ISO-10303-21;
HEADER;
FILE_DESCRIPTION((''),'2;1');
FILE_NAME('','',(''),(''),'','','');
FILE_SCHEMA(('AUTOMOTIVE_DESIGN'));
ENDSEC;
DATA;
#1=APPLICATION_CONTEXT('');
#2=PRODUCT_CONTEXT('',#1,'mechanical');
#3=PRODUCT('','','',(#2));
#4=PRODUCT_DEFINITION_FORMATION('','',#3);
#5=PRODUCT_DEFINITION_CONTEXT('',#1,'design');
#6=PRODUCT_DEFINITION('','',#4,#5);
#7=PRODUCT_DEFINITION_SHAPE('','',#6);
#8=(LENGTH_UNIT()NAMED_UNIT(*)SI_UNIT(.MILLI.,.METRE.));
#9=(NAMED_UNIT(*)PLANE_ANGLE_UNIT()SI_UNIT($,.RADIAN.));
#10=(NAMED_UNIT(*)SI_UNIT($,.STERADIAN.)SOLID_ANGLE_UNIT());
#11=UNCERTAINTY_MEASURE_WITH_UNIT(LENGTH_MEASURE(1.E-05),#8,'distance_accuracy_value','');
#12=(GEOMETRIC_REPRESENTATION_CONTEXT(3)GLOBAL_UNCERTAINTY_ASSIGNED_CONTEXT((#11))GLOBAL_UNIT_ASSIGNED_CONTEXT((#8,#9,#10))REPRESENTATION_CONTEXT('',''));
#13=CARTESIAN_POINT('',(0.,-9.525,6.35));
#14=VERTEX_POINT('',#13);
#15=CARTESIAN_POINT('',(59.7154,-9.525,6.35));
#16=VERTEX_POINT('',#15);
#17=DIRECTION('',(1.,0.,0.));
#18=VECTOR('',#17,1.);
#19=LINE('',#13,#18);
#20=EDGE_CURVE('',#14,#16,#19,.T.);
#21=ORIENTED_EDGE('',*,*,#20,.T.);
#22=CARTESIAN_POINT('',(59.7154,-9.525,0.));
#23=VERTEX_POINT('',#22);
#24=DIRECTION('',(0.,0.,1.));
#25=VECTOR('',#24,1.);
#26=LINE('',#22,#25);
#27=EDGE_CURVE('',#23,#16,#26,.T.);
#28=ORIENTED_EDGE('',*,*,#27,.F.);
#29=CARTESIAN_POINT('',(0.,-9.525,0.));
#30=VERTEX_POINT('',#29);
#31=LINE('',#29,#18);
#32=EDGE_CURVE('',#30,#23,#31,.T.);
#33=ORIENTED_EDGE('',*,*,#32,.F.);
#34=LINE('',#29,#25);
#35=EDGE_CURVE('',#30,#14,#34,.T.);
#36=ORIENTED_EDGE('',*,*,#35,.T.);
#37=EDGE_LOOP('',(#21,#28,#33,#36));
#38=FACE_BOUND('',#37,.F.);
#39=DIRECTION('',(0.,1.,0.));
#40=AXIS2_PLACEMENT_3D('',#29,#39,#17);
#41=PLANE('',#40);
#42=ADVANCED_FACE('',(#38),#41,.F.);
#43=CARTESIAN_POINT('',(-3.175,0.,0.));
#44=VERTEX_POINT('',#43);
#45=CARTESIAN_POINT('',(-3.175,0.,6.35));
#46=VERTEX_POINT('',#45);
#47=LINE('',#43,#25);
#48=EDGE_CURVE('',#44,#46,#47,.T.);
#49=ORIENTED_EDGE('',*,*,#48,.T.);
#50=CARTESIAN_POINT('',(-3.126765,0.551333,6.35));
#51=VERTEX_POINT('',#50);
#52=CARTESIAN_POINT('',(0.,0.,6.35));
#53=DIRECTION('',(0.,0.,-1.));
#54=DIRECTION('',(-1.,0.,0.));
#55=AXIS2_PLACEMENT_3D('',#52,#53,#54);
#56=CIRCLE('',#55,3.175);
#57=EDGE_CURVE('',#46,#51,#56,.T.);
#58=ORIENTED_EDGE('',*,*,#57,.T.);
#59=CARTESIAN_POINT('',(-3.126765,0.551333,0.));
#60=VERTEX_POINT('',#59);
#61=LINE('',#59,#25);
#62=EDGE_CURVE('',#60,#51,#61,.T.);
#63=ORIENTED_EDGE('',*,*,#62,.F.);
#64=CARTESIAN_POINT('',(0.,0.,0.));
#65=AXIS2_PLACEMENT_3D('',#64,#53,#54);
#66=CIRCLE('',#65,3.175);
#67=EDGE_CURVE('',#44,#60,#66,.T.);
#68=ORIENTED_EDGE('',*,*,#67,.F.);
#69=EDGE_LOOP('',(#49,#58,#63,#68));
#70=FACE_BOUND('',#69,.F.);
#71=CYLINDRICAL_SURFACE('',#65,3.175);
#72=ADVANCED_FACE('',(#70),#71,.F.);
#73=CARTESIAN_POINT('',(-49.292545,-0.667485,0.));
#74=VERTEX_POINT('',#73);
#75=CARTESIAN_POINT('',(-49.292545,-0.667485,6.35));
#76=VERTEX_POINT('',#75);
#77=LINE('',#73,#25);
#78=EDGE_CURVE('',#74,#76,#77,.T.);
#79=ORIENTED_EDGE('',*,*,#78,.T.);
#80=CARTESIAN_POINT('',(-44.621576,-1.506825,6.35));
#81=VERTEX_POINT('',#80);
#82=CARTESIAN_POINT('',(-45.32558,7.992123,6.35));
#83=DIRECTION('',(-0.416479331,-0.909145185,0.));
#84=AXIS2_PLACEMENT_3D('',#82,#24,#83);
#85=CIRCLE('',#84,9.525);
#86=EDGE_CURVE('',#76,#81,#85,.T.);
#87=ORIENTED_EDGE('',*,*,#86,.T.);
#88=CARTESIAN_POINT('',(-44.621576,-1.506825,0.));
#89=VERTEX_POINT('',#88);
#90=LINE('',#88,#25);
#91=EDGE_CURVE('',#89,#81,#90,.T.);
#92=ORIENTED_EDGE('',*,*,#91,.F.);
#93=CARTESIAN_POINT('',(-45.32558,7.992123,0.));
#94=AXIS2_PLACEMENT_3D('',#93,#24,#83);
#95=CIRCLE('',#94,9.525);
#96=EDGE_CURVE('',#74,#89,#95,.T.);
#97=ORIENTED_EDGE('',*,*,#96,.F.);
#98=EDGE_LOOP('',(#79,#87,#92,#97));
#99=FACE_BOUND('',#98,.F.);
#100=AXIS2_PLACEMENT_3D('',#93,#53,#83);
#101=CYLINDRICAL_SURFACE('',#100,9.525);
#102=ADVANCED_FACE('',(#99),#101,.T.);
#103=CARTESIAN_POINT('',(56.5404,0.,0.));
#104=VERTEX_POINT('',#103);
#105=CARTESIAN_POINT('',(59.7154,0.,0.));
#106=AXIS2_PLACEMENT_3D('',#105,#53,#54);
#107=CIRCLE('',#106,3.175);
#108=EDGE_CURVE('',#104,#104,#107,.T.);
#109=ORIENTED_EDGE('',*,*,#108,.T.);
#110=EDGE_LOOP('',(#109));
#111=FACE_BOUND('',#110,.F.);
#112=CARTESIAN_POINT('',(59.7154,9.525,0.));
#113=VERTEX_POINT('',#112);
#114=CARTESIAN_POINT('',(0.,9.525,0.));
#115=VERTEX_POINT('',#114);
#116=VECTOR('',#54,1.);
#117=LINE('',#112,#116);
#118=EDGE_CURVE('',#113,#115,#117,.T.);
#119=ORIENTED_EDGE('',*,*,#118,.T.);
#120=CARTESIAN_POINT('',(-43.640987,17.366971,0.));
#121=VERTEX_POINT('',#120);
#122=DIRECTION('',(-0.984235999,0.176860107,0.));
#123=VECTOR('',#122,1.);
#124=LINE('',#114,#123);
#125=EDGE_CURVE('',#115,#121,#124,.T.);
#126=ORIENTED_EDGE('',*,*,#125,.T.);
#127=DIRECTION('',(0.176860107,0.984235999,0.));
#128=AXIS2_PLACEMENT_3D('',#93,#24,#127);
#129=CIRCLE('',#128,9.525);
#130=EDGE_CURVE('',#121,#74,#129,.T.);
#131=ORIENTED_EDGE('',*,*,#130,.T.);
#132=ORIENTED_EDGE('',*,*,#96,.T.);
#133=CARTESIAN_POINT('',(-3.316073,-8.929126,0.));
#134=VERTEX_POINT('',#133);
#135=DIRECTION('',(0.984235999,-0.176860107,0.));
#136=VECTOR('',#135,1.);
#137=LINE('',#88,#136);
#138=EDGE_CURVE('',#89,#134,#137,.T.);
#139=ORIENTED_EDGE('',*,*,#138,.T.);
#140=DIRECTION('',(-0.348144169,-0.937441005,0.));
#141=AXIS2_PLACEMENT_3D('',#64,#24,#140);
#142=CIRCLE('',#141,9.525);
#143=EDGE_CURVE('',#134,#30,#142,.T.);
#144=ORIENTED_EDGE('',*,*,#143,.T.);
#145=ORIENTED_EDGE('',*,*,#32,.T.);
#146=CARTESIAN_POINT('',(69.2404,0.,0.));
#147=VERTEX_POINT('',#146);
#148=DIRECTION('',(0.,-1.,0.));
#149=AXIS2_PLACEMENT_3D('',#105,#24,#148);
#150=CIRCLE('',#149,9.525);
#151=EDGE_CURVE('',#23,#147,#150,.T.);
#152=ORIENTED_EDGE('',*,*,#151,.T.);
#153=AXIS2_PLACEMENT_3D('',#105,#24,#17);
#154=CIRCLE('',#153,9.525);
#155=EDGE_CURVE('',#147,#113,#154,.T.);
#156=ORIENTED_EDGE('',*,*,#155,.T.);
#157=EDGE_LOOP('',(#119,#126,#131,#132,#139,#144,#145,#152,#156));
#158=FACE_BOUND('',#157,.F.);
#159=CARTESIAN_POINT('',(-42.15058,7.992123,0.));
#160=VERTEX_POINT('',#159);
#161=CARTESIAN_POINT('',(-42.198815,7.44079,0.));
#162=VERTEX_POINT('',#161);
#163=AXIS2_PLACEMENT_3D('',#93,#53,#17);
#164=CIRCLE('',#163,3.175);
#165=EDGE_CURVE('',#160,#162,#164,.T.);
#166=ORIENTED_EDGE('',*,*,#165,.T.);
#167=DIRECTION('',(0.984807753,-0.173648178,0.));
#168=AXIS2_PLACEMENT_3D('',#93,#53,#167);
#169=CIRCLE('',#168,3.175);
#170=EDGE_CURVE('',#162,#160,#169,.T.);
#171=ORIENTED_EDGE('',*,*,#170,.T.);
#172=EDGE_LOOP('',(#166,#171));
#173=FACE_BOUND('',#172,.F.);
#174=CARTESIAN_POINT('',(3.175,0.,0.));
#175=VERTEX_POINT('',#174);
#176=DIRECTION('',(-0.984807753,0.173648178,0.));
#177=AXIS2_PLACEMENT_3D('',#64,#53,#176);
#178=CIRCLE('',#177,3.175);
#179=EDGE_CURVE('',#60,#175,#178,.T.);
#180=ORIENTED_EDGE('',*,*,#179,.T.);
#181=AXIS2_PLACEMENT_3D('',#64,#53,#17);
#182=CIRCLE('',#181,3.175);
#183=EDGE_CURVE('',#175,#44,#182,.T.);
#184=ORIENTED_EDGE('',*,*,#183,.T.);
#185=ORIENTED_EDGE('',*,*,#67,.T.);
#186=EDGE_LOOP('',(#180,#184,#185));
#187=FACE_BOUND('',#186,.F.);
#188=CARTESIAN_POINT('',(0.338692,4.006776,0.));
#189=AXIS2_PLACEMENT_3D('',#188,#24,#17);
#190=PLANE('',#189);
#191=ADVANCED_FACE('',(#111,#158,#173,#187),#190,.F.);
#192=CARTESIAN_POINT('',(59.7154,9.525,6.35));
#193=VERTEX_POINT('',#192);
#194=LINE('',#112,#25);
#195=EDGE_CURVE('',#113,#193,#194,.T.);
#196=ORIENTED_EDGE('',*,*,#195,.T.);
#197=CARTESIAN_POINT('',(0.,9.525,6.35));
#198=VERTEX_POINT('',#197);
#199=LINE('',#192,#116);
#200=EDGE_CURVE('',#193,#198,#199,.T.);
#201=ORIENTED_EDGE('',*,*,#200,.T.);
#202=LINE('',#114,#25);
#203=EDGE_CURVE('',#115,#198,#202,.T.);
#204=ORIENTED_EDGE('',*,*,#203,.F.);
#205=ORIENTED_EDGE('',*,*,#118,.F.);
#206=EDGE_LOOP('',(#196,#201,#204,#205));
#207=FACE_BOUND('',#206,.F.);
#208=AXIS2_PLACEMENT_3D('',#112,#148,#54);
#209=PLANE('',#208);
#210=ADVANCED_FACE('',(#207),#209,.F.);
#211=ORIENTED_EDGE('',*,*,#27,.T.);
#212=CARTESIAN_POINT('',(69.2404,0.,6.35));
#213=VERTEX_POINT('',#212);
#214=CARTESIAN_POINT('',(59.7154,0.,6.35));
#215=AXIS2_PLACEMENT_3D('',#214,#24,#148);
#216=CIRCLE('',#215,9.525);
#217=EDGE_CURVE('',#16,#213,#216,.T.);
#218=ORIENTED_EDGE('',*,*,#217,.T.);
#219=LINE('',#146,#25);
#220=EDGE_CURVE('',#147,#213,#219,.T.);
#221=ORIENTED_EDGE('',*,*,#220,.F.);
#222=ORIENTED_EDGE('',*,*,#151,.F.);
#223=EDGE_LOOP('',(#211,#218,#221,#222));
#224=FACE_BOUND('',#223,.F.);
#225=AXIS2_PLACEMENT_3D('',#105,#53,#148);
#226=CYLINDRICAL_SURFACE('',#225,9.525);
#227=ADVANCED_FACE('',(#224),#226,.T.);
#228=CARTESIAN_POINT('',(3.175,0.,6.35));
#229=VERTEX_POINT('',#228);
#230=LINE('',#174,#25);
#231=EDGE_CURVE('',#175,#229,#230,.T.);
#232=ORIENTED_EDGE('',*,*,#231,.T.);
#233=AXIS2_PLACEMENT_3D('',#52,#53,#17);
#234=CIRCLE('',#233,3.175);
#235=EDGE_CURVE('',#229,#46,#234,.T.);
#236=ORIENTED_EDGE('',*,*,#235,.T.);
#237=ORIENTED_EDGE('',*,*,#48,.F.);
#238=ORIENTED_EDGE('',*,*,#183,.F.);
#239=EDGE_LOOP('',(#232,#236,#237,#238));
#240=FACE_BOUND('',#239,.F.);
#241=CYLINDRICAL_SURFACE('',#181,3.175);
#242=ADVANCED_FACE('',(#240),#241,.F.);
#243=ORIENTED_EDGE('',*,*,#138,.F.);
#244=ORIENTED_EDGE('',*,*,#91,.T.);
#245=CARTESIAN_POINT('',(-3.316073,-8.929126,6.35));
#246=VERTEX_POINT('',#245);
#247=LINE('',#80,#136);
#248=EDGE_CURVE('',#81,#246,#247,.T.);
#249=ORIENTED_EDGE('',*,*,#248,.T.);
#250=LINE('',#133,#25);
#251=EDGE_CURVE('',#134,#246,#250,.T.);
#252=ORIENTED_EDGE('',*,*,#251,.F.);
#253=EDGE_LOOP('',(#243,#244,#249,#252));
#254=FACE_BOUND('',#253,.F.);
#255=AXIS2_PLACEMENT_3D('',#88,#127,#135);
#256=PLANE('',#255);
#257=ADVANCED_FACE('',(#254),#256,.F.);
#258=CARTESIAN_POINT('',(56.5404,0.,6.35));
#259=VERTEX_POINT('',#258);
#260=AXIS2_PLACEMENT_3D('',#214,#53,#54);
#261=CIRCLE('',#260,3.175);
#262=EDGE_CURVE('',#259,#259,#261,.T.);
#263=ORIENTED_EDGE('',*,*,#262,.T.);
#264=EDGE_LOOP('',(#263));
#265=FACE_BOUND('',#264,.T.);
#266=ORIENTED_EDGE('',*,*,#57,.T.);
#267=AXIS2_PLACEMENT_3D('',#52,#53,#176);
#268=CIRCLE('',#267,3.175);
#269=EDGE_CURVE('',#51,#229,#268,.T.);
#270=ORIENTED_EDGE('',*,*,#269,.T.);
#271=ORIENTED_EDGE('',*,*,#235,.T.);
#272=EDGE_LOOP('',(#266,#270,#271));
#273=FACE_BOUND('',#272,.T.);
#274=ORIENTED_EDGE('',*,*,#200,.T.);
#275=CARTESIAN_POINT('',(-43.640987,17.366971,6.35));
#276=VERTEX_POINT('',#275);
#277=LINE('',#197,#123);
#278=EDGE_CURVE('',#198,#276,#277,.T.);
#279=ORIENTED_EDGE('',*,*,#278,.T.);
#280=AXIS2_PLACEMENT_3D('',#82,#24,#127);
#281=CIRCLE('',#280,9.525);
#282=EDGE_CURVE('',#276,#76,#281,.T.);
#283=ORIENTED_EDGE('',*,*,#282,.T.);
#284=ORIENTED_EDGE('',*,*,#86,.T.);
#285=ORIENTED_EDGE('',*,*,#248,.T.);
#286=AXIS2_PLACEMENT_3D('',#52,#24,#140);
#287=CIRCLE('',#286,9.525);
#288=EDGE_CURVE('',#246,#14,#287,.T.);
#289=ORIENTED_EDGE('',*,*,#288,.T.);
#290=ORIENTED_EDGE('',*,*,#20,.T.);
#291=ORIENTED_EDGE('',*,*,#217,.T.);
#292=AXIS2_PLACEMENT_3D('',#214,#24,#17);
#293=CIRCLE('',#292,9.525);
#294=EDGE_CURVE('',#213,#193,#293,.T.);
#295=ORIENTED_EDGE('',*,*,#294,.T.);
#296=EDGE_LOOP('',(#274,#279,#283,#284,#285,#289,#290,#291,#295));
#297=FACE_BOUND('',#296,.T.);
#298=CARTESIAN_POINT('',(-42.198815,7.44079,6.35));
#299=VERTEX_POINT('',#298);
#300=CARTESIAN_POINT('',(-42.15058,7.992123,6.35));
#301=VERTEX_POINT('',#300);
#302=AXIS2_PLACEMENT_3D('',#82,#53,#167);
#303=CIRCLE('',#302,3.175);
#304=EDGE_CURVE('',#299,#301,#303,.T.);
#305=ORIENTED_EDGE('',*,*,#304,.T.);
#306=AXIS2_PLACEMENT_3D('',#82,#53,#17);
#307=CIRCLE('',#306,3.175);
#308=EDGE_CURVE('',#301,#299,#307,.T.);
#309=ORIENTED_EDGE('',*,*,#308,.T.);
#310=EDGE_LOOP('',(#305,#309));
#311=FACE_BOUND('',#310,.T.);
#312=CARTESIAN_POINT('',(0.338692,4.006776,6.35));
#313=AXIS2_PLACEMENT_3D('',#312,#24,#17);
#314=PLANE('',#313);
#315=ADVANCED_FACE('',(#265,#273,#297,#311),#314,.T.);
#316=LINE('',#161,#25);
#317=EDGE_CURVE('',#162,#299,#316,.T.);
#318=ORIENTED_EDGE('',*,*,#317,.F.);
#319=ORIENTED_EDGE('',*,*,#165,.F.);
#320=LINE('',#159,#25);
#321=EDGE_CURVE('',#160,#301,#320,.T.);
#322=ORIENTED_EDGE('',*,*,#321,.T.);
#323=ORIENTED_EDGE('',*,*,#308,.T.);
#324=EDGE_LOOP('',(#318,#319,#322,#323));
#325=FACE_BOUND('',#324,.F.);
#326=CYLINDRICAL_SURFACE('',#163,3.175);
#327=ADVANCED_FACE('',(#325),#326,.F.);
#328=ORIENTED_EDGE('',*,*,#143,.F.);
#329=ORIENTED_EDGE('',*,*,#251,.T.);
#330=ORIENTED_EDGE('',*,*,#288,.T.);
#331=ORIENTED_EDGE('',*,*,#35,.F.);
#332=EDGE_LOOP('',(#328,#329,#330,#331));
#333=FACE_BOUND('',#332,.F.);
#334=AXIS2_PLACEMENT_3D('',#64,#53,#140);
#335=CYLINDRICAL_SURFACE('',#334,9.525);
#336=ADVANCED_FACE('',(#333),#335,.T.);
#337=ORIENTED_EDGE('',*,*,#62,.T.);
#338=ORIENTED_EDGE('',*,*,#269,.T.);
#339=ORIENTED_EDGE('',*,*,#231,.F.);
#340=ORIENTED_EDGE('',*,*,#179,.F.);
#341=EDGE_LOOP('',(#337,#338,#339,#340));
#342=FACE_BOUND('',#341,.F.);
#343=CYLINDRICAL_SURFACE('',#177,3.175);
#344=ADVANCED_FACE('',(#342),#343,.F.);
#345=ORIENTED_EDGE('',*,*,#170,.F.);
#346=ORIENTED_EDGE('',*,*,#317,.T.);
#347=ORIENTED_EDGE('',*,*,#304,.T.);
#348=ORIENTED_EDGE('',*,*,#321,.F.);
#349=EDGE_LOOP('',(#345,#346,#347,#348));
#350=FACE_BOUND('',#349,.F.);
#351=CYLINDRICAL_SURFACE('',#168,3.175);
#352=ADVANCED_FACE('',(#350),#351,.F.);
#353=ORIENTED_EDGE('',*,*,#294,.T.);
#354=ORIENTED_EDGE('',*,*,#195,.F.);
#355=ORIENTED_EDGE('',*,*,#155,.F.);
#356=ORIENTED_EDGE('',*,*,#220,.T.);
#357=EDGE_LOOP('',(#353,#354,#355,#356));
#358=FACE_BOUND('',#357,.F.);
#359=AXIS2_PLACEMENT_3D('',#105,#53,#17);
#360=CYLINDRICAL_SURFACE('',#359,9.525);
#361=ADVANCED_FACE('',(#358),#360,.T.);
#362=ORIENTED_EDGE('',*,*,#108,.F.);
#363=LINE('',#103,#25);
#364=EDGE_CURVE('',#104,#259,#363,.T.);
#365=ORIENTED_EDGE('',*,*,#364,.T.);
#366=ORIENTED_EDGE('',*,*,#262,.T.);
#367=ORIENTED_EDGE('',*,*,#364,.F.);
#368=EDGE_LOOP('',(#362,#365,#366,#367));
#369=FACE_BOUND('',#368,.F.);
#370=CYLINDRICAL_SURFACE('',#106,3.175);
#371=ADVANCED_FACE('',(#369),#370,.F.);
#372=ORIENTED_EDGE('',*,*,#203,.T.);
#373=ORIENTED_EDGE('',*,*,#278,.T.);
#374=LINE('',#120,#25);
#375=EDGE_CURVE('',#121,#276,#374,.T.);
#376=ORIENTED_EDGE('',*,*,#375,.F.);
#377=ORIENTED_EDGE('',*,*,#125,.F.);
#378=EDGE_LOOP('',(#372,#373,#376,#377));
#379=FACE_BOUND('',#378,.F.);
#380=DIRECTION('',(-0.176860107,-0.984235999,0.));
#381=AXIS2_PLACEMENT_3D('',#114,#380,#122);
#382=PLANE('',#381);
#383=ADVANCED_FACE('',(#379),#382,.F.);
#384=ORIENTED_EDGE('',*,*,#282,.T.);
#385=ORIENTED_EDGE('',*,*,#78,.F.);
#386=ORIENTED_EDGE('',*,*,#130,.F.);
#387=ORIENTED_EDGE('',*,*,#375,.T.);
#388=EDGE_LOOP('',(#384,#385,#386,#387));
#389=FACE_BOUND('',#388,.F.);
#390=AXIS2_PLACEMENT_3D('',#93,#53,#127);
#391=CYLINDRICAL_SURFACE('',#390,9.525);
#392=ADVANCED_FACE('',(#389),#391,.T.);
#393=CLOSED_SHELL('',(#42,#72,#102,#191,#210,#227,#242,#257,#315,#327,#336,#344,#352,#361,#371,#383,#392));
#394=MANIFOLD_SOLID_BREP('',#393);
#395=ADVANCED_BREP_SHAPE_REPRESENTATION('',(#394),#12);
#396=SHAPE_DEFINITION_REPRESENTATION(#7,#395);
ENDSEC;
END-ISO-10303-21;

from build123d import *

# Parameters (mm, degrees)
F1_DEPTH = 6.35


with BuildPart() as f1:
    # F0 (on Top) → F1 (new body)
    with BuildSketch(Plane.XY):
        with BuildLine():
            ThreePointArc((-3.1267646158, 0.5513329641), (0.2767194832, 3.1629181664), (3.175, 0))
            Line((3.175, 0), (9.525, 0))
            ThreePointArc((9.525, 0), (6.7351920908, 6.7351920908), (0, 9.525))
            ThreePointArc((0, 9.525), (-6.1225519823, 7.2965733207), (-9.3802938474, 1.6539988923))
            Line((-9.3802938474, 1.6539988923), (-3.1267646158, 0.5513329641))
        make_face()
        with BuildLine():
            Line((9.525, 0), (3.175, 0))
            ThreePointArc((3.175, 0), (0, -3.175), (-3.175, 0))
            Line((-3.175, 0), (-9.525, 0))
            ThreePointArc((-9.525, 0), (-7.8202053152, -5.4378317212), (-3.316073212, -8.9291255704))
            Line((-3.316073212, -8.9291255704), (0, -9.525))
            ThreePointArc((0, -9.525), (6.7351920908, -6.7351920908), (9.525, 0))
        make_face()
        with BuildLine():
            ThreePointArc((0, 9.525), (6.7351920908, 6.7351920908), (9.525, 0))
            Line((9.525, 0), (50.1904, 0))
            ThreePointArc((50.1904, 0), (52.9802079092, 6.7351920908), (59.7154, 9.525))
            Line((59.7154, 9.525), (0, 9.525))
        make_face()
        with BuildLine():
            Line((50.1904, 0), (9.525, 0))
            ThreePointArc((9.525, 0), (6.7351920908, -6.7351920908), (0, -9.525))
            Line((0, -9.525), (59.7154, -9.525))
            ThreePointArc((59.7154, -9.525), (52.9802079092, -6.7351920908), (50.1904, 0))
        make_face()
        with BuildLine():
            ThreePointArc((-3.316073212, -8.9291255704), (-7.8202053152, -5.4378317212), (-9.525, 0))
            Line((-9.525, 0), (-40.1437268637, 0))
            ThreePointArc((-40.1437268637, 0), (-42.2877419599, -1.0354554234), (-44.6215756209, -1.5068248214))
            Line((-44.6215756209, -1.5068248214), (-3.316073212, -8.9291255704))
        make_face()
        with BuildLine():
            Line((-35.9452860234, 6.3381237552), (-9.3802938474, 1.6539988923))
            ThreePointArc((-9.3802938474, 1.6539988923), (-6.1225519823, 7.2965733207), (0, 9.525))
            Line((0, 9.525), (-43.6409873472, 17.3669705411))
            ThreePointArc((-43.6409873472, 17.3669705411), (-38.0190290845, 14.1027642346), (-35.8005798708, 7.9921226475))
            ThreePointArc((-35.8005798708, 7.9921226475), (-35.8368253715, 7.1619641978), (-35.9452860234, 6.3381237552))
        make_face()
        with BuildLine():
            ThreePointArc((59.7154, 9.525), (52.9802079092, 6.7351920908), (50.1904, 0))
            ThreePointArc((50.1904, 0), (52.9802079092, -6.7351920908), (59.7154, -9.525))
            ThreePointArc((59.7154, -9.525), (66.4505920908, -6.7351920908), (69.2404, 0))
            ThreePointArc((69.2404, 0), (66.4505920908, 6.7351920908), (59.7154, 9.525))
        make_face()
        with BuildLine():
            ThreePointArc((62.8904, 0), (59.7154, -3.175), (56.5404, 0))
            ThreePointArc((56.5404, 0), (59.7154, 3.175), (62.8904, 0))
        make_face(mode=Mode.SUBTRACT)
        with BuildLine():
            ThreePointArc((-3.316073212, -8.9291255704), (-1.6845925237, -9.3748478937), (0, -9.525))
            Line((0, -9.525), (-3.316073212, -8.9291255704))
        make_face()
        with BuildLine():
            ThreePointArc((-44.6215756209, -1.5068248214), (-42.2877419599, -1.0354554234), (-40.1437268637, 0))
            ThreePointArc((-40.1437268637, 0), (-37.3847371298, 2.7320236406), (-35.9452860234, 6.3381237552))
            ThreePointArc((-35.9452860234, 6.3381237552), (-35.8368253715, 7.1619641978), (-35.8005798708, 7.9921226475))
            ThreePointArc((-35.8005798708, 7.9921226475), (-38.0190290845, 14.1027642346), (-43.6409873472, 17.3669705411))
            ThreePointArc((-43.6409873472, 17.3669705411), (-54.414733052, 10.8404413532), (-49.2925454975, -0.6674852372))
            Line((-49.2925454975, -0.6674852372), (-44.6215756209, -1.5068248214))
        make_face()
        with BuildLine():
            ThreePointArc((-42.1505798708, 7.9921226475), (-42.1626617044, 7.7154031643), (-42.198815255, 7.4407896834))
            ThreePointArc((-42.198815255, 7.4407896834), (-48.4884980373, 8.2688421307), (-42.1505798708, 7.9921226475))
        make_face(mode=Mode.SUBTRACT)
        with BuildLine():
            ThreePointArc((-49.2925454975, -0.6674852372), (-47.0101723945, -1.3827252462), (-44.6215756209, -1.5068248214))
            Line((-44.6215756209, -1.5068248214), (-49.2925454975, -0.6674852372))
        make_face()
        with BuildLine():
            Line((-40.1437268637, 0), (-9.525, 0))
            ThreePointArc((-9.525, 0), (-9.4887544993, 0.8301584497), (-9.3802938474, 1.6539988923))
            Line((-9.3802938474, 1.6539988923), (-35.9452860234, 6.3381237552))
            ThreePointArc((-35.9452860234, 6.3381237552), (-37.3847371298, 2.7320236406), (-40.1437268637, 0))
        make_face()
        with BuildLine():
            Line((-9.525, 0), (-3.175, 0))
            ThreePointArc((-3.175, 0), (-3.1629181664, 0.2767194832), (-3.1267646158, 0.5513329641))
            Line((-3.1267646158, 0.5513329641), (-9.3802938474, 1.6539988923))
            ThreePointArc((-9.3802938474, 1.6539988923), (-9.4887544993, 0.8301584497), (-9.525, 0))
        make_face()
    extrude(amount=F1_DEPTH)


solid = f1.part
